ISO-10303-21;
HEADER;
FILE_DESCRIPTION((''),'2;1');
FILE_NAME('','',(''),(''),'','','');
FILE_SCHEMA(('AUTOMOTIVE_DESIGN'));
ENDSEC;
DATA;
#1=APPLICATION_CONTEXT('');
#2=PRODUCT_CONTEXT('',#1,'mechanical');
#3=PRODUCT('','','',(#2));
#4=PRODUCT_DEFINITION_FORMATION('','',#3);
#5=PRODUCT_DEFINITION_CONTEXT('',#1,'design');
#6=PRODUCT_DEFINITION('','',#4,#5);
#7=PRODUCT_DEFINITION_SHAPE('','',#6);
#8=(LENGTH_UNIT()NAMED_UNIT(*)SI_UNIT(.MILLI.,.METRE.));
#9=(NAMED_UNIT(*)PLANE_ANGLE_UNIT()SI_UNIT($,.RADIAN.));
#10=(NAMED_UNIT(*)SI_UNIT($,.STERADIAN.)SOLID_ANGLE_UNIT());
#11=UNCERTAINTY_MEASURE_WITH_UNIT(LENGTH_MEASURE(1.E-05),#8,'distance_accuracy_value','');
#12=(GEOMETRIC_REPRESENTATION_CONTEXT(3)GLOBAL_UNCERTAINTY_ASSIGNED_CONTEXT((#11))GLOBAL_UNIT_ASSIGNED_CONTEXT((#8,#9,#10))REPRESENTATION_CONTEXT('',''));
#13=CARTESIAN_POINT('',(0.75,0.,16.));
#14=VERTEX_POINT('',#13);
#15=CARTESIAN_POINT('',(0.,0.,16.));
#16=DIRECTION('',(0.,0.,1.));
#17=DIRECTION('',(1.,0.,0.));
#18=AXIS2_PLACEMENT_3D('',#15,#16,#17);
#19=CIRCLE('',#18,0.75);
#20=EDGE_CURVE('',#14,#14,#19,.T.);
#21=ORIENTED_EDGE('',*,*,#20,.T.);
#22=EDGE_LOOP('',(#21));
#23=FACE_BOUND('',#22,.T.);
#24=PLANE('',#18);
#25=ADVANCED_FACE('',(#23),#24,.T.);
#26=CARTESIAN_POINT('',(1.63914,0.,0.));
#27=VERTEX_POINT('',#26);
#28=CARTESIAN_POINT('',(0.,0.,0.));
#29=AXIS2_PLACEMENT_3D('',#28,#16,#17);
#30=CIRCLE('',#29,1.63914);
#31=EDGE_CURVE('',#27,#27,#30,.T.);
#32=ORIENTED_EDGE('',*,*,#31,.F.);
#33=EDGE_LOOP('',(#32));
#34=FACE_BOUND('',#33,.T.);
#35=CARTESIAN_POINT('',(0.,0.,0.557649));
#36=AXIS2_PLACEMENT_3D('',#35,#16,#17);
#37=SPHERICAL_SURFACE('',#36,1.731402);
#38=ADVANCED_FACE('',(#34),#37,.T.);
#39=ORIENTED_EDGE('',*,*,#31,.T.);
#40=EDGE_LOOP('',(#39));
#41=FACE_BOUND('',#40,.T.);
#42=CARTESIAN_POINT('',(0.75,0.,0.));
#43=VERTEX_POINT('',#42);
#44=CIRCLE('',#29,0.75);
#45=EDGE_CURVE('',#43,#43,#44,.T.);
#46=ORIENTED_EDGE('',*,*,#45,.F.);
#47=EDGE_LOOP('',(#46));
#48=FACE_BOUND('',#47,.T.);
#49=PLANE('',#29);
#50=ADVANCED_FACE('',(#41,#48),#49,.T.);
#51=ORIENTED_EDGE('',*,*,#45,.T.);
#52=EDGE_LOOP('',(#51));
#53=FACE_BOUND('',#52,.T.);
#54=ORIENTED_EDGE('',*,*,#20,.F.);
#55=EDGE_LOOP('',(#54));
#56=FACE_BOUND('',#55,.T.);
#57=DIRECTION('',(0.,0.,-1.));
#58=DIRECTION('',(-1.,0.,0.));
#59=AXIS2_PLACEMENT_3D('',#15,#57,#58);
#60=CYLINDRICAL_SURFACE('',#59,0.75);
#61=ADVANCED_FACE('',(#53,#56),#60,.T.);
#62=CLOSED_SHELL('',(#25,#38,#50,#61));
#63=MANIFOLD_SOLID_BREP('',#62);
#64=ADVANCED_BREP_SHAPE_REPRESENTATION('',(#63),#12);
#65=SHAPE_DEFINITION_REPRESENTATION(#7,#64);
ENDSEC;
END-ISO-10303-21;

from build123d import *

# Parameters (mm, degrees)
SKETCH1_R           = 0.75
BOSS_EXTRUDE1_DEPTH = 16


with BuildPart() as part:
    # Sketch1 → Boss-Extrude1 (new body)
    with BuildSketch(Plane.XY):
        Circle(SKETCH1_R)
    extrude(amount=BOSS_EXTRUDE1_DEPTH)

    # Sketch2 → Revolve1 (revolve)
    with BuildSketch(Plane(origin=(0, 0, 0), x_dir=(1, 0, 0), z_dir=(0, 1, 0))):
        with BuildLine():
            Line((0, 0), (1.639140162, 0))
            ThreePointArc((1.639140162, 0), (1.008027304, 0.850056019), (0, 1.173752834))
            Line((0, 1.173752834), (0, 0))
        make_face()
    revolve(axis=Axis((0, 0, 0), (0, 0, -1)))


solid = part.part
